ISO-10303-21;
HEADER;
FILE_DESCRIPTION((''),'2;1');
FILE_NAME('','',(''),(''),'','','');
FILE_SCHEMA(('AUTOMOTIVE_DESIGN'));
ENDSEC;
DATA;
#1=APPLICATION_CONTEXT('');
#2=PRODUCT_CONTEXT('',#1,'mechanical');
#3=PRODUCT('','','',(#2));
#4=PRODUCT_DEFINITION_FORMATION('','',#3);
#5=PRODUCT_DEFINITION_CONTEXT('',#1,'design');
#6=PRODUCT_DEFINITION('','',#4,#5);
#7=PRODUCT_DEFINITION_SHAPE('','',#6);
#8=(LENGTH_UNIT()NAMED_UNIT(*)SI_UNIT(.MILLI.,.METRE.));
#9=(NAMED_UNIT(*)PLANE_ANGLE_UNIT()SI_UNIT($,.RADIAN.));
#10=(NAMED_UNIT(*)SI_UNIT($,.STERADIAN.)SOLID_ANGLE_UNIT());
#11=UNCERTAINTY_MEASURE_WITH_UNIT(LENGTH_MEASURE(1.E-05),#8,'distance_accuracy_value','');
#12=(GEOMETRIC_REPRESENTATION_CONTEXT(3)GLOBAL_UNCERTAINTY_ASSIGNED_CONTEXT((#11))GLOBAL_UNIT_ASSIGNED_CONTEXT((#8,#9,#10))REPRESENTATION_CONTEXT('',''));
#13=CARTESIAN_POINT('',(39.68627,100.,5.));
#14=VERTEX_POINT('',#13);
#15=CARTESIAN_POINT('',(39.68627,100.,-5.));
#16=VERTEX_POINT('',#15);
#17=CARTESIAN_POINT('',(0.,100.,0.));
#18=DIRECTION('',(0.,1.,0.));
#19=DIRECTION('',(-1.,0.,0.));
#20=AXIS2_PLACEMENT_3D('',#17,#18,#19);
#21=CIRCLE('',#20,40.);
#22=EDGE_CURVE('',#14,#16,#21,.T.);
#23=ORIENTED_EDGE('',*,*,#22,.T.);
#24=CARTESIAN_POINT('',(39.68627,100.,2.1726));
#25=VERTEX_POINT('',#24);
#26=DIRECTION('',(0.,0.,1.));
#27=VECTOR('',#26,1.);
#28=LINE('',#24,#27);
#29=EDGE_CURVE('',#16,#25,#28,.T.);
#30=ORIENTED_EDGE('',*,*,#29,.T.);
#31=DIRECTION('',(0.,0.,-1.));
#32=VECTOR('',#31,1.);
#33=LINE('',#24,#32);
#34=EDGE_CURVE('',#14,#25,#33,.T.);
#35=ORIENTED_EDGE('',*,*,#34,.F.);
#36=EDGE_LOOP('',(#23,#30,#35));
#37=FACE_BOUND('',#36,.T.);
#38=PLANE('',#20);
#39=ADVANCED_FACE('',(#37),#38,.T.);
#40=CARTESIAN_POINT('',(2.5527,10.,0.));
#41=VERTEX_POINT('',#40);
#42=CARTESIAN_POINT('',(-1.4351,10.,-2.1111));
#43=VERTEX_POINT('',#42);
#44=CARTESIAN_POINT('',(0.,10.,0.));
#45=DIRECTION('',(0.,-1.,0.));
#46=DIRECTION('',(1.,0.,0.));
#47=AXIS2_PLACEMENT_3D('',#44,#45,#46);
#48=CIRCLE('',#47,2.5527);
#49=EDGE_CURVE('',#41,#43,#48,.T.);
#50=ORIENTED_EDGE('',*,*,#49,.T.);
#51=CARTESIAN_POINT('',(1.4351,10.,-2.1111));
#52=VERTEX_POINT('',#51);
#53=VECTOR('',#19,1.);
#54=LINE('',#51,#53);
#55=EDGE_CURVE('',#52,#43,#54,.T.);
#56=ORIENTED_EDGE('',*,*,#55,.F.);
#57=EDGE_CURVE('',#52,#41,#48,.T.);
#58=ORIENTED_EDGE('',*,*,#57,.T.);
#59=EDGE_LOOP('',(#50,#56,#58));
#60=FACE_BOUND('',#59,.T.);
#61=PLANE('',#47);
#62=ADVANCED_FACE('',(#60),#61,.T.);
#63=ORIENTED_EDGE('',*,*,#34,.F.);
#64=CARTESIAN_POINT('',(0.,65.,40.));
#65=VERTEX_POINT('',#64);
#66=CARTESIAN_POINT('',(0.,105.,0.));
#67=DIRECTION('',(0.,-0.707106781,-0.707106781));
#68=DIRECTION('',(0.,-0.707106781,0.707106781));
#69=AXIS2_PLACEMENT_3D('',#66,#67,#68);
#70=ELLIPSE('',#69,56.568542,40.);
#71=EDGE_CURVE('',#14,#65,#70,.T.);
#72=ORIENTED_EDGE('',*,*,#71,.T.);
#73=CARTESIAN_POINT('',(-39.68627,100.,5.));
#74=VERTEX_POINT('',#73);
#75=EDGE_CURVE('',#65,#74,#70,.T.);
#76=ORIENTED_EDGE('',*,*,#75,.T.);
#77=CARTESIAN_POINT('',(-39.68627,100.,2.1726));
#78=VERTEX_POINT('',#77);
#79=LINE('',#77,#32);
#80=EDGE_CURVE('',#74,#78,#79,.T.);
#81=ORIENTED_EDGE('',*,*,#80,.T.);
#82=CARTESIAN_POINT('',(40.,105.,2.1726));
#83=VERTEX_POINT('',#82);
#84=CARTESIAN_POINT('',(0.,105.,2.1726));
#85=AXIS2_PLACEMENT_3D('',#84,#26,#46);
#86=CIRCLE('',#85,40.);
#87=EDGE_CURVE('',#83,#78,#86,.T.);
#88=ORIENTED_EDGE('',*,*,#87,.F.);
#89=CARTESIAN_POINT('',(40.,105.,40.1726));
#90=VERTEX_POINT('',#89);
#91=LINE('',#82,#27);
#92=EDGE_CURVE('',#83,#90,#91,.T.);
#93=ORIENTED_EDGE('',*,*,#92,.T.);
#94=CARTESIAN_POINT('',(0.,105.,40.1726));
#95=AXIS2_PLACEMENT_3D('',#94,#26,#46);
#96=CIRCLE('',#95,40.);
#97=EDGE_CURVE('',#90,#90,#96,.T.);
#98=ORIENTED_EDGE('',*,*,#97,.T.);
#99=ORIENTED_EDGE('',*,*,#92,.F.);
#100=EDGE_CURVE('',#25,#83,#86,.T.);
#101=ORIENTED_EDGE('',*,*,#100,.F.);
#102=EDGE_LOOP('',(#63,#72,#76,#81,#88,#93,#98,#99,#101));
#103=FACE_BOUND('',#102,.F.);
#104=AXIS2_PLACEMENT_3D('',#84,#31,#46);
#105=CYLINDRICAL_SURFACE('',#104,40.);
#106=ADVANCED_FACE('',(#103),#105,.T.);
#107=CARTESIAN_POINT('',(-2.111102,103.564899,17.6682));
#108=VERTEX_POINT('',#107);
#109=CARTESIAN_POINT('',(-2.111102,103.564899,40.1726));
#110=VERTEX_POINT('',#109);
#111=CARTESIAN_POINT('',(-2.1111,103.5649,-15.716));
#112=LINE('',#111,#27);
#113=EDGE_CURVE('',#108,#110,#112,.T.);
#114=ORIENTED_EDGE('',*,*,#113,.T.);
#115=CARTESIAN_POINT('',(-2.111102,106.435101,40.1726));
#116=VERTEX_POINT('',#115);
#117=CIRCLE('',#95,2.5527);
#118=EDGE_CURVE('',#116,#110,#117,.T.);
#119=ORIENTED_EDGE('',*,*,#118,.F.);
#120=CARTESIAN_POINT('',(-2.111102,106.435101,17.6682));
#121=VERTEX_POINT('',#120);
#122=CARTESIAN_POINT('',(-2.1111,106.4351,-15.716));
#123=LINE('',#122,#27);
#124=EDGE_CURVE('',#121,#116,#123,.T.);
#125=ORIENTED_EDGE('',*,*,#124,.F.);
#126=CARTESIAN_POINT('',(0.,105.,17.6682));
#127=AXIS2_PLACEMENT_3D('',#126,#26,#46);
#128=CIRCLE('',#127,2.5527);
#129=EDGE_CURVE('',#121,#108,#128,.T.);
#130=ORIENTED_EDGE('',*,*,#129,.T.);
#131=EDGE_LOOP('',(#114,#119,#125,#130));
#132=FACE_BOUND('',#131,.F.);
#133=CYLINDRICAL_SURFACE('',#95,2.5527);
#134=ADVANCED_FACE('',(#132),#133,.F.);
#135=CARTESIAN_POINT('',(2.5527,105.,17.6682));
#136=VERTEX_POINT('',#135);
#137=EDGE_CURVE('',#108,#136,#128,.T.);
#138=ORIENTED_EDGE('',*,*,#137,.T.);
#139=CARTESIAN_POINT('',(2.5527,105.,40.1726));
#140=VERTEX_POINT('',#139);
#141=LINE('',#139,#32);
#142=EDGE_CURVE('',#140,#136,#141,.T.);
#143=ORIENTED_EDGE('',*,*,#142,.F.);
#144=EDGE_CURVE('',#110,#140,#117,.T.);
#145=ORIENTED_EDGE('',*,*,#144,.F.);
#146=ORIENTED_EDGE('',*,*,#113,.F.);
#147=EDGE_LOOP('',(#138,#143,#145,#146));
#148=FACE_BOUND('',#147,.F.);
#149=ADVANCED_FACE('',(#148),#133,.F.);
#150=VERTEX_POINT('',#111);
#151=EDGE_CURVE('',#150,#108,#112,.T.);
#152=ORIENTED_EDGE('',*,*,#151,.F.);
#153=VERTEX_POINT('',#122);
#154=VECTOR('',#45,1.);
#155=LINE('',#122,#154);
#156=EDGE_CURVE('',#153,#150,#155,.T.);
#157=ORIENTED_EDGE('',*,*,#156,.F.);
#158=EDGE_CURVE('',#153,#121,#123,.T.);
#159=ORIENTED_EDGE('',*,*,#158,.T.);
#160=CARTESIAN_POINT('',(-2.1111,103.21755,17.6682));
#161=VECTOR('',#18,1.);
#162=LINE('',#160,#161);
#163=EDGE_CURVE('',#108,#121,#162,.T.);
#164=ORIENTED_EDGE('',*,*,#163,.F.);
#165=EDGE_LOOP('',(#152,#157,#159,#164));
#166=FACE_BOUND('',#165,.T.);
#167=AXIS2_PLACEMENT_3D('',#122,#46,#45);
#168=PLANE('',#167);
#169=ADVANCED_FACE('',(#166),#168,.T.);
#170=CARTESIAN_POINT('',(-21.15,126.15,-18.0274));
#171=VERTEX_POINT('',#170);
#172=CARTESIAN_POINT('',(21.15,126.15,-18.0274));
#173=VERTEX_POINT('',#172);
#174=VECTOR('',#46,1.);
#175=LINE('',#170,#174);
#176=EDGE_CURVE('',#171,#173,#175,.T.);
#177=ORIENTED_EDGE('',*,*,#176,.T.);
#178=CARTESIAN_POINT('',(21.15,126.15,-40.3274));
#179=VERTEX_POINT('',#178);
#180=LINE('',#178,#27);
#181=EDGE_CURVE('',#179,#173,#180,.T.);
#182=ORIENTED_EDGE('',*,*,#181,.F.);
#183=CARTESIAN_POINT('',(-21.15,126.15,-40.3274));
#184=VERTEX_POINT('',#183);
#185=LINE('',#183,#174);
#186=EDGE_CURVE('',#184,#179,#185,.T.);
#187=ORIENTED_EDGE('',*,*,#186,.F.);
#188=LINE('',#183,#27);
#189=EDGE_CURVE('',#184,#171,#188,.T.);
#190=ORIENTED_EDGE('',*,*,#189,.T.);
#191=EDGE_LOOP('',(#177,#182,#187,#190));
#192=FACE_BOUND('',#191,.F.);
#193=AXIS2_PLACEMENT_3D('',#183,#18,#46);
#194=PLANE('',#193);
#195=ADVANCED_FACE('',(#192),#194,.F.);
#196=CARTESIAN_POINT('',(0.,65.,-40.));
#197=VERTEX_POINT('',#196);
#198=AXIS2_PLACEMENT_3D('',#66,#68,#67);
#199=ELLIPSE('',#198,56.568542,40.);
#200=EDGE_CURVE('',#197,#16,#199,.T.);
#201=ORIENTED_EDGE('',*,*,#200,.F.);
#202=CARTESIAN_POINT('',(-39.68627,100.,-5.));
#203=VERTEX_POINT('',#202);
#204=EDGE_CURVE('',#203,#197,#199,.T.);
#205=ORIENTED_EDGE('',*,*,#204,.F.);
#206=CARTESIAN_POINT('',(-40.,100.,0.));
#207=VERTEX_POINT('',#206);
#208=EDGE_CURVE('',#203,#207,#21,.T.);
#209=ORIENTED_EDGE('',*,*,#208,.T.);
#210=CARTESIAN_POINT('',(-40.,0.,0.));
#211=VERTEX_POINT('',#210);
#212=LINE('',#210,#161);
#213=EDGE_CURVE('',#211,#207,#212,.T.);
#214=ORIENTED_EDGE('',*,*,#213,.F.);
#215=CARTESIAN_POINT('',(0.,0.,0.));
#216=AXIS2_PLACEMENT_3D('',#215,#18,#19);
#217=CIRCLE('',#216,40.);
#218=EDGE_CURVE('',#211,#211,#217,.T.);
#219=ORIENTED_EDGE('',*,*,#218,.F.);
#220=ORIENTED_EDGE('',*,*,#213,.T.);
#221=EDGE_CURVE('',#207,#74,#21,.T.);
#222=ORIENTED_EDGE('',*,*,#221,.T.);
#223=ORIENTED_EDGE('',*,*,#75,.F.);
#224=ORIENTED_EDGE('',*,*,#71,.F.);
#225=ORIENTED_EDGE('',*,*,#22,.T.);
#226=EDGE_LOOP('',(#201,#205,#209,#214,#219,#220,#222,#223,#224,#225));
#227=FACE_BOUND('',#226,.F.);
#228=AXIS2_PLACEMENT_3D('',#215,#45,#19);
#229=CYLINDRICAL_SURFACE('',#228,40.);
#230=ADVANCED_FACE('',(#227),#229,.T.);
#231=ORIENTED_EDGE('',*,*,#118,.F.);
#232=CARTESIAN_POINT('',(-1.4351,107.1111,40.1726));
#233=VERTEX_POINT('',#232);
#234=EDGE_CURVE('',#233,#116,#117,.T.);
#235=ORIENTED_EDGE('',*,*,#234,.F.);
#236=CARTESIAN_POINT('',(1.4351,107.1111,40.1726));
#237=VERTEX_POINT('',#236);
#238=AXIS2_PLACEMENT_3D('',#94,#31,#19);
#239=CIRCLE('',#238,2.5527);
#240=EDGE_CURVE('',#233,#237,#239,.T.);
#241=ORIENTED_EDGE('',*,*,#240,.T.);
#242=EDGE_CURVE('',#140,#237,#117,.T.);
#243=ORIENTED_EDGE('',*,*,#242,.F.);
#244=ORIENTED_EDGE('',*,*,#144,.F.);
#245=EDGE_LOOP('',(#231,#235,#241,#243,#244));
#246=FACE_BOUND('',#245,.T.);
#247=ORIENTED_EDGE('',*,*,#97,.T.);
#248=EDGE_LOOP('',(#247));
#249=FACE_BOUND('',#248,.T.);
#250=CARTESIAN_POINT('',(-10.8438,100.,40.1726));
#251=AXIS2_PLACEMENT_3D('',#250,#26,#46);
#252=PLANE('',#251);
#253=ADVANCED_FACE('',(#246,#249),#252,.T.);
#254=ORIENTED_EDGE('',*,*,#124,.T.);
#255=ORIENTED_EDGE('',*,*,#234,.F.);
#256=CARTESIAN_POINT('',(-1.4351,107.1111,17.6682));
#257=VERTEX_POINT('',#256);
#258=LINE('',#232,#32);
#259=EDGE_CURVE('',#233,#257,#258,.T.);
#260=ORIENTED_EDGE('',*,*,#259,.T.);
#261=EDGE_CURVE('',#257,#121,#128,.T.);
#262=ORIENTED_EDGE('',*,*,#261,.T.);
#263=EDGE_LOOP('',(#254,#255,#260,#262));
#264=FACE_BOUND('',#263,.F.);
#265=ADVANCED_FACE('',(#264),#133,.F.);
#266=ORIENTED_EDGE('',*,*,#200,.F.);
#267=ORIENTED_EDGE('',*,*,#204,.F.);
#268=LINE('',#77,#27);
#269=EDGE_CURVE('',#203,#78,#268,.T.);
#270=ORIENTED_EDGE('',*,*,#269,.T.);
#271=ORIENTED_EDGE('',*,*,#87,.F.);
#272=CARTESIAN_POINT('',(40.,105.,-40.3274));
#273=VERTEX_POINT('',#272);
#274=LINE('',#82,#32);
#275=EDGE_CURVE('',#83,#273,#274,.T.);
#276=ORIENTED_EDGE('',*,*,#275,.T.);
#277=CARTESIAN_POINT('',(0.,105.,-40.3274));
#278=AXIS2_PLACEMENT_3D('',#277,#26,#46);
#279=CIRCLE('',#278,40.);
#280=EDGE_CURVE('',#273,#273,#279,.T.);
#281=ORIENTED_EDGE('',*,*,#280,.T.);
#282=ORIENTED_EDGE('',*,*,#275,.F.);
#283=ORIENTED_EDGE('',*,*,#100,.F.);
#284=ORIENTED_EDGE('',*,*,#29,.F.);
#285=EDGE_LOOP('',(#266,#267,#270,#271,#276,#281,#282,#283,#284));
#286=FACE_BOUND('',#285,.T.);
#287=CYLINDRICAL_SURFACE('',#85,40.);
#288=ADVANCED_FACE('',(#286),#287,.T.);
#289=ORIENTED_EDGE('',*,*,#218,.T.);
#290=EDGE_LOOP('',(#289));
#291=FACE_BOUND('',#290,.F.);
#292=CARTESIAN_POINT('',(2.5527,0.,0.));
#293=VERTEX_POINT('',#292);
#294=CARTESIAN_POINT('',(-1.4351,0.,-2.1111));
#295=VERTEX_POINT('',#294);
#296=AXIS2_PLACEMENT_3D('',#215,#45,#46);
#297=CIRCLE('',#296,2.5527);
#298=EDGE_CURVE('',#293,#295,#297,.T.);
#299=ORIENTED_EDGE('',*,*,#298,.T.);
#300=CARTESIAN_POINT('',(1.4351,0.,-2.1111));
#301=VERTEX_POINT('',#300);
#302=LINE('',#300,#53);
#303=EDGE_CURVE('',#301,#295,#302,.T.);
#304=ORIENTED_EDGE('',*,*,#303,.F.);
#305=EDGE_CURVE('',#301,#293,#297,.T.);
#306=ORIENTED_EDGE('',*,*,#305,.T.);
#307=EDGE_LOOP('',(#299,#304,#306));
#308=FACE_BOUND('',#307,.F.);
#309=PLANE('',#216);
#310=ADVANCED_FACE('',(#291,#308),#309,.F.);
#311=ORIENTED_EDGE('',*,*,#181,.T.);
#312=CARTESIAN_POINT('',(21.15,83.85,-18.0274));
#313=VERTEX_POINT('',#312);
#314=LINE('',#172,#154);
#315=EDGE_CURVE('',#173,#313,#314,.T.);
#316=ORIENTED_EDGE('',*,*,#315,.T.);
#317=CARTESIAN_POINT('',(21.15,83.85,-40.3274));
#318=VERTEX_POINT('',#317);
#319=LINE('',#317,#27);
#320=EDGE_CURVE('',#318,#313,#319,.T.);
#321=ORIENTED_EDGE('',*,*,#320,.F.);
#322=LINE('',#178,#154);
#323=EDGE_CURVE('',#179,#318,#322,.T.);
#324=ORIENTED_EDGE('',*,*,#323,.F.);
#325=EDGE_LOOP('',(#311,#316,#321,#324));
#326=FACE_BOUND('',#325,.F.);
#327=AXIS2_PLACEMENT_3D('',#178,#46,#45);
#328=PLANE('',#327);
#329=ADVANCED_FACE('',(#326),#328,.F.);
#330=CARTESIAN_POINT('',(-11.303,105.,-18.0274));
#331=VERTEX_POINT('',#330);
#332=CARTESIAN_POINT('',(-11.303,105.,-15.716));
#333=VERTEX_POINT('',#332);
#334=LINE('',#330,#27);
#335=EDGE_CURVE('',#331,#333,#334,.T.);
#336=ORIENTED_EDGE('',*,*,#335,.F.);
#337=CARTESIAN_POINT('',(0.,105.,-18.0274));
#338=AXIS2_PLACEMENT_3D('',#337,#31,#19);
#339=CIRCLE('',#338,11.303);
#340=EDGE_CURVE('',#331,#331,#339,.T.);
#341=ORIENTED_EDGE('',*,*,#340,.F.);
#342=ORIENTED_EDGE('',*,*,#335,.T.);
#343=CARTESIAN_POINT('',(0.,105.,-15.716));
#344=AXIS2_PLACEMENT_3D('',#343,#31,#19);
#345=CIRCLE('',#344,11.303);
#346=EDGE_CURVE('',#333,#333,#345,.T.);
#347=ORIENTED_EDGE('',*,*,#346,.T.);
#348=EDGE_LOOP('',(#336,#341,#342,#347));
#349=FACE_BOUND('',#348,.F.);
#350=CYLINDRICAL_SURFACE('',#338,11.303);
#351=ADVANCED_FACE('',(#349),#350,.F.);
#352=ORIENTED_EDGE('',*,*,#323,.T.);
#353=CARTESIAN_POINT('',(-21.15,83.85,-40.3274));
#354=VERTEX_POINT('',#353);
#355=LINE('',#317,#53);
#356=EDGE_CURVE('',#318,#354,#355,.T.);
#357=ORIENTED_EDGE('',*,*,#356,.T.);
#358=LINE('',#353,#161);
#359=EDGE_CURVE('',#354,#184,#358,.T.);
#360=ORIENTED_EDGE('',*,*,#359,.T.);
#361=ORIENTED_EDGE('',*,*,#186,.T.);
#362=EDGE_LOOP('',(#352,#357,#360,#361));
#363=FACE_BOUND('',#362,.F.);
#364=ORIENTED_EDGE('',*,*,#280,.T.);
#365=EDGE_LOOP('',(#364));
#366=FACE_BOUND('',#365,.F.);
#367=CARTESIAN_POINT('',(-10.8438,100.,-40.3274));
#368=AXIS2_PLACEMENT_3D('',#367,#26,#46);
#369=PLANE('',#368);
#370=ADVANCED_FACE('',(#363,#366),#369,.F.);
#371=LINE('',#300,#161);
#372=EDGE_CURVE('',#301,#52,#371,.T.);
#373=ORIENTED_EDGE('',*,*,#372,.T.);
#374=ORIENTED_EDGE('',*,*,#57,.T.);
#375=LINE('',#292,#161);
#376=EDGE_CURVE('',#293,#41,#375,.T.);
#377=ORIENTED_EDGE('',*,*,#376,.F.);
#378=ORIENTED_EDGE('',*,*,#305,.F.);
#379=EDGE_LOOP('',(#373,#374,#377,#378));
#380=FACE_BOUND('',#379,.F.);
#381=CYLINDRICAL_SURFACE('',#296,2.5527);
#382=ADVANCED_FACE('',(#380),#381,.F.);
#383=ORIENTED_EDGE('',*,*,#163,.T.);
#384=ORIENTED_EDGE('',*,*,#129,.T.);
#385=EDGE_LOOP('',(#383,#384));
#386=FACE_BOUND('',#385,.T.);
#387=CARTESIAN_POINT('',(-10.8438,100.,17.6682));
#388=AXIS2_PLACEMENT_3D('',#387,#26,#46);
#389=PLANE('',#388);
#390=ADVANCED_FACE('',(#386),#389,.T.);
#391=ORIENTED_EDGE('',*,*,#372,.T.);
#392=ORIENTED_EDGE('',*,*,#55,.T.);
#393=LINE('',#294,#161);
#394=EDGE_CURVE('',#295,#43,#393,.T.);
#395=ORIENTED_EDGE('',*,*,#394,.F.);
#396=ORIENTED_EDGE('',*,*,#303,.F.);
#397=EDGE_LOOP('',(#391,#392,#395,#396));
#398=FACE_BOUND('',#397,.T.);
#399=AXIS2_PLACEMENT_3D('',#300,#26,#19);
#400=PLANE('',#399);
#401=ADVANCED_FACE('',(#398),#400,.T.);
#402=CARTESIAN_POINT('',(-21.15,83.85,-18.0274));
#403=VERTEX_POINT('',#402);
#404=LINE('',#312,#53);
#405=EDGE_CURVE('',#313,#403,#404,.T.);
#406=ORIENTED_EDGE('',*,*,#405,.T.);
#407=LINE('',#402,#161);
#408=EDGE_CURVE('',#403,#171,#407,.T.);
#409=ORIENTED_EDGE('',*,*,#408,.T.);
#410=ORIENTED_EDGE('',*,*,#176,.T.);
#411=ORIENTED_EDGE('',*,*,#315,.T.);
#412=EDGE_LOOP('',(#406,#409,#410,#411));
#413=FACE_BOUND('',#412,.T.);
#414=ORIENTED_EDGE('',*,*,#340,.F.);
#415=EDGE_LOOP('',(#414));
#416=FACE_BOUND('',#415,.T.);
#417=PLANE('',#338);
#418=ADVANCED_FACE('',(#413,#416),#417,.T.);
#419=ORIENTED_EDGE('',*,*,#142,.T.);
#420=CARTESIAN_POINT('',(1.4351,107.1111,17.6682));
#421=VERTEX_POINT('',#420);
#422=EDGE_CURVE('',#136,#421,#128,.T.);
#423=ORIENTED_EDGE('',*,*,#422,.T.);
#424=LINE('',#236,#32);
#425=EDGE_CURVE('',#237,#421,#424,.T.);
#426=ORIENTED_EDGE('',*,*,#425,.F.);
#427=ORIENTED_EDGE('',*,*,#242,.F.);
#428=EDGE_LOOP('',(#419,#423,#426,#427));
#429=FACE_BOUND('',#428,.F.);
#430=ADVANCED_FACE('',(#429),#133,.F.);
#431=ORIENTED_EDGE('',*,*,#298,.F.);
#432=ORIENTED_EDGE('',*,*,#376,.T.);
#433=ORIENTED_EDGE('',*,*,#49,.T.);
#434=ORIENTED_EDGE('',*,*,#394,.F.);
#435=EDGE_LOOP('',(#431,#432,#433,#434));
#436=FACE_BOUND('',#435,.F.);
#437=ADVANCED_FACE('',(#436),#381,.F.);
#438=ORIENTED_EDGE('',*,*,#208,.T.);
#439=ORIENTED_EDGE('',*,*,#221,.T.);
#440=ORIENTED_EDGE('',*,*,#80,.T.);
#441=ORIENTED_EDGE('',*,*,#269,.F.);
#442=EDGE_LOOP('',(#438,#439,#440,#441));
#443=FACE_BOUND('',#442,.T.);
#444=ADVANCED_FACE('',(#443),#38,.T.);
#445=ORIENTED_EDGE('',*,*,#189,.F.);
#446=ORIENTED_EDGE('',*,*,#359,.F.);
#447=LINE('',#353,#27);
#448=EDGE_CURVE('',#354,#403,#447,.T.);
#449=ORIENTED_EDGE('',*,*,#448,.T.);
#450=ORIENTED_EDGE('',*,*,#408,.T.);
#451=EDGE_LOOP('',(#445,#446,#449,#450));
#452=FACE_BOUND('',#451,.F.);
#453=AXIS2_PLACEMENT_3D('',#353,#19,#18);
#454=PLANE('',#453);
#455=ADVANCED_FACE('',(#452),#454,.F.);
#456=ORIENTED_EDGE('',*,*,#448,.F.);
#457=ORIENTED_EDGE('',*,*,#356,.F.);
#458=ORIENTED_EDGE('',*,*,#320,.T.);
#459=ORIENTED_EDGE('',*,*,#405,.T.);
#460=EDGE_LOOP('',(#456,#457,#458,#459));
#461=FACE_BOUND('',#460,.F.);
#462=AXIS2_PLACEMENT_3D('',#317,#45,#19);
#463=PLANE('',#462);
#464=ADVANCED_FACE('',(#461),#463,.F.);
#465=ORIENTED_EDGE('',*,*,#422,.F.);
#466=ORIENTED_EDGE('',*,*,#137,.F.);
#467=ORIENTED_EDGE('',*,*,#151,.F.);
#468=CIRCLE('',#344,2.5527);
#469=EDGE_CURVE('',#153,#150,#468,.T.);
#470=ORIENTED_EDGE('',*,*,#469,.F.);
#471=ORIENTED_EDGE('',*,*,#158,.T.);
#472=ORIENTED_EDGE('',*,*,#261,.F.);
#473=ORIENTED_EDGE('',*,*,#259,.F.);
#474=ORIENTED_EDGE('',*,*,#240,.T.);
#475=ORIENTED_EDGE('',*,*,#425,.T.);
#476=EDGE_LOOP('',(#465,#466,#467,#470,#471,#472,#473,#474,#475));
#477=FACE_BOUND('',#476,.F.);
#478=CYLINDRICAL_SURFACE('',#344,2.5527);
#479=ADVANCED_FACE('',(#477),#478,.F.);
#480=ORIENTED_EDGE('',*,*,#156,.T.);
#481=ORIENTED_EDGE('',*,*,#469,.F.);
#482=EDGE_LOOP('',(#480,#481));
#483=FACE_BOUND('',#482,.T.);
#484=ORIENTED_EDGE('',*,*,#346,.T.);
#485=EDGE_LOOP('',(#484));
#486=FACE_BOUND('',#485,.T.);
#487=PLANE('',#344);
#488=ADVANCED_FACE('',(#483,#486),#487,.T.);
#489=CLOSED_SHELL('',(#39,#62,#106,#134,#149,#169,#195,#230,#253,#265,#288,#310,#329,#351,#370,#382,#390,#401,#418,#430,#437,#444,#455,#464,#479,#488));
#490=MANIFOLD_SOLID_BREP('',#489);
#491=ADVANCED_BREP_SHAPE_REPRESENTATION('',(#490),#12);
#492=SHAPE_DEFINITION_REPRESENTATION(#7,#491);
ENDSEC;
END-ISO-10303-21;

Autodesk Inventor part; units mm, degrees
ref_plane "YZ Plane" through (0, 0, 0) normal (1, 0, 0) x (0, 1, 0)
ref_plane "XZ Plane" through (0, 0, 0) normal (0, 1, 0) x (-1, 0, 0)
ref_plane "XY Plane" through (0, 0, 0) normal (0, 0, 1) x (1, 0, 0)
sketch "Sketch1" plane through (0, 0, 0) normal (0, 1, 0) x (-1, 0, 0)
  circle A0 centre (0, 0) radius 40
  dimension "d0" = 80
extrude "Extrusion1" add sketch "Sketch1" along normal blind 100
sketch "Sketch2" plane through (0, 100, 0) normal (0, 1, 0) x (1, 0, 0)
  line L0 (-10.8438, 4.9816) -> (0, 4.9816)
  line L1 (0, 4.9816) -> (0, -2.1726)
  line L2 (0, -2.1726) -> (-10.8438, -2.1726)
  line L3 (-10.8438, -2.1726) -> (-10.8438, 4.9816)
  point P0 (0, 0)
extrude "Extrusion2" add sketch "Sketch2" along normal blind 10
sketch "Sketch3" plane through (-10.8438, 100, 2.1726) normal (0, 0, 1) x (1, 0, 0)
  line L0 (10.8438, 0) -> (10.8438, 10) projected
  circle A0 centre (10.8438, 5) radius 40
  point P0 (10.8438, -100)
  dimension "d5" = 80
extrude "Extrusion3" add sketch "Sketch3" along normal blind 38 and the other way blind 42.5
sketch "Sketch4" plane through (-10.8438, 100, 40.1726) normal (0, 0, 1) x (1, 0, 0)
  circle A0 centre (10.8438, 5) radius 2.5527
  line L0 (9.4087, 7.1111) -> (12.2789, 7.1111)
  circle A1 centre (10.8438, 5) radius 40 projected
  point P0 (10.8438, -100)
  dimension "d10" = 5.1054
  dimension "d11" = 2.8702
extrude "Extrusion4" cut sketch "Sketch4" against normal blind 22.5044 contours A0 L0 picked at (10.9442, 5.5624)
sketch "Sketch5" plane through (0, 0, 0) normal (0, -1, 0) x (1, 0, 0)
  circle A0 centre (0, 0) radius 2.5527
  line L0 (1.4351, -2.1111) -> (-1.4351, -2.1111)
  dimension "d14" = 5.1054
  dimension "d15" = 2.8702
extrude "Extrusion5" cut sketch "Sketch5" against normal blind 10 contours A0 L0 picked at (0.1004, -0.5624)
sketch "Sketch6" plane through (0, 105, -40.3274) normal (0, 0, -1) x (-1, 0, 0)
  line L0 (-21.15, -21.15) -> (21.15, -21.15)
  line L1 (21.15, -21.15) -> (21.15, 21.15)
  line L2 (21.15, 21.15) -> (-21.15, 21.15)
  line L3 (-21.15, 21.15) -> (-21.15, -21.15)
  line L4 (-21.15, -21.15) -> (21.15, 21.15) construction
  line L5 (21.15, -21.15) -> (-21.15, 21.15) construction
  circle A0 centre (0, 0) radius 40 projected
  point P0 (0, -105)
  dimension "d18" = 42.3
  dimension "d19" = 42.3
  dimension "d27" = 21.15
  dimension "d28" = 21.15
extrude "Extrusion6" cut sketch "Sketch6" against normal blind 22.3 contours L3 L2 L1 L0
sketch "Sketch7" plane through (0, 105, -18.0274) normal (0, 0, -1) x (-1, 0, 0)
  circle A0 centre (0, 0) radius 11.303
  circle A1 centre (0, 0) radius 40 projected
  point P0 (0, -105)
  dimension "d22" = 22.606
extrude "Extrusion7" cut sketch "Sketch7" against normal blind 2.3114 contours A0
sketch "Sketch8" plane through (0, 105, -15.716) normal (0, 0, -1) x (-1, 0, 0)
  circle A0 centre (0, 0) radius 2.5527
  line L0 (2.1111, 1.4351) -> (2.1111, -1.4351)
  circle A1 centre (0, 0) radius 40 projected
  point P0 (0, -105)
  dimension "d25" = 5.1054
  dimension "d26" = 2.8702
extrude "Extrusion8" cut sketch "Sketch8" against normal blind 60 contours L0 A0 picked at (0.5627, -0.1029)
